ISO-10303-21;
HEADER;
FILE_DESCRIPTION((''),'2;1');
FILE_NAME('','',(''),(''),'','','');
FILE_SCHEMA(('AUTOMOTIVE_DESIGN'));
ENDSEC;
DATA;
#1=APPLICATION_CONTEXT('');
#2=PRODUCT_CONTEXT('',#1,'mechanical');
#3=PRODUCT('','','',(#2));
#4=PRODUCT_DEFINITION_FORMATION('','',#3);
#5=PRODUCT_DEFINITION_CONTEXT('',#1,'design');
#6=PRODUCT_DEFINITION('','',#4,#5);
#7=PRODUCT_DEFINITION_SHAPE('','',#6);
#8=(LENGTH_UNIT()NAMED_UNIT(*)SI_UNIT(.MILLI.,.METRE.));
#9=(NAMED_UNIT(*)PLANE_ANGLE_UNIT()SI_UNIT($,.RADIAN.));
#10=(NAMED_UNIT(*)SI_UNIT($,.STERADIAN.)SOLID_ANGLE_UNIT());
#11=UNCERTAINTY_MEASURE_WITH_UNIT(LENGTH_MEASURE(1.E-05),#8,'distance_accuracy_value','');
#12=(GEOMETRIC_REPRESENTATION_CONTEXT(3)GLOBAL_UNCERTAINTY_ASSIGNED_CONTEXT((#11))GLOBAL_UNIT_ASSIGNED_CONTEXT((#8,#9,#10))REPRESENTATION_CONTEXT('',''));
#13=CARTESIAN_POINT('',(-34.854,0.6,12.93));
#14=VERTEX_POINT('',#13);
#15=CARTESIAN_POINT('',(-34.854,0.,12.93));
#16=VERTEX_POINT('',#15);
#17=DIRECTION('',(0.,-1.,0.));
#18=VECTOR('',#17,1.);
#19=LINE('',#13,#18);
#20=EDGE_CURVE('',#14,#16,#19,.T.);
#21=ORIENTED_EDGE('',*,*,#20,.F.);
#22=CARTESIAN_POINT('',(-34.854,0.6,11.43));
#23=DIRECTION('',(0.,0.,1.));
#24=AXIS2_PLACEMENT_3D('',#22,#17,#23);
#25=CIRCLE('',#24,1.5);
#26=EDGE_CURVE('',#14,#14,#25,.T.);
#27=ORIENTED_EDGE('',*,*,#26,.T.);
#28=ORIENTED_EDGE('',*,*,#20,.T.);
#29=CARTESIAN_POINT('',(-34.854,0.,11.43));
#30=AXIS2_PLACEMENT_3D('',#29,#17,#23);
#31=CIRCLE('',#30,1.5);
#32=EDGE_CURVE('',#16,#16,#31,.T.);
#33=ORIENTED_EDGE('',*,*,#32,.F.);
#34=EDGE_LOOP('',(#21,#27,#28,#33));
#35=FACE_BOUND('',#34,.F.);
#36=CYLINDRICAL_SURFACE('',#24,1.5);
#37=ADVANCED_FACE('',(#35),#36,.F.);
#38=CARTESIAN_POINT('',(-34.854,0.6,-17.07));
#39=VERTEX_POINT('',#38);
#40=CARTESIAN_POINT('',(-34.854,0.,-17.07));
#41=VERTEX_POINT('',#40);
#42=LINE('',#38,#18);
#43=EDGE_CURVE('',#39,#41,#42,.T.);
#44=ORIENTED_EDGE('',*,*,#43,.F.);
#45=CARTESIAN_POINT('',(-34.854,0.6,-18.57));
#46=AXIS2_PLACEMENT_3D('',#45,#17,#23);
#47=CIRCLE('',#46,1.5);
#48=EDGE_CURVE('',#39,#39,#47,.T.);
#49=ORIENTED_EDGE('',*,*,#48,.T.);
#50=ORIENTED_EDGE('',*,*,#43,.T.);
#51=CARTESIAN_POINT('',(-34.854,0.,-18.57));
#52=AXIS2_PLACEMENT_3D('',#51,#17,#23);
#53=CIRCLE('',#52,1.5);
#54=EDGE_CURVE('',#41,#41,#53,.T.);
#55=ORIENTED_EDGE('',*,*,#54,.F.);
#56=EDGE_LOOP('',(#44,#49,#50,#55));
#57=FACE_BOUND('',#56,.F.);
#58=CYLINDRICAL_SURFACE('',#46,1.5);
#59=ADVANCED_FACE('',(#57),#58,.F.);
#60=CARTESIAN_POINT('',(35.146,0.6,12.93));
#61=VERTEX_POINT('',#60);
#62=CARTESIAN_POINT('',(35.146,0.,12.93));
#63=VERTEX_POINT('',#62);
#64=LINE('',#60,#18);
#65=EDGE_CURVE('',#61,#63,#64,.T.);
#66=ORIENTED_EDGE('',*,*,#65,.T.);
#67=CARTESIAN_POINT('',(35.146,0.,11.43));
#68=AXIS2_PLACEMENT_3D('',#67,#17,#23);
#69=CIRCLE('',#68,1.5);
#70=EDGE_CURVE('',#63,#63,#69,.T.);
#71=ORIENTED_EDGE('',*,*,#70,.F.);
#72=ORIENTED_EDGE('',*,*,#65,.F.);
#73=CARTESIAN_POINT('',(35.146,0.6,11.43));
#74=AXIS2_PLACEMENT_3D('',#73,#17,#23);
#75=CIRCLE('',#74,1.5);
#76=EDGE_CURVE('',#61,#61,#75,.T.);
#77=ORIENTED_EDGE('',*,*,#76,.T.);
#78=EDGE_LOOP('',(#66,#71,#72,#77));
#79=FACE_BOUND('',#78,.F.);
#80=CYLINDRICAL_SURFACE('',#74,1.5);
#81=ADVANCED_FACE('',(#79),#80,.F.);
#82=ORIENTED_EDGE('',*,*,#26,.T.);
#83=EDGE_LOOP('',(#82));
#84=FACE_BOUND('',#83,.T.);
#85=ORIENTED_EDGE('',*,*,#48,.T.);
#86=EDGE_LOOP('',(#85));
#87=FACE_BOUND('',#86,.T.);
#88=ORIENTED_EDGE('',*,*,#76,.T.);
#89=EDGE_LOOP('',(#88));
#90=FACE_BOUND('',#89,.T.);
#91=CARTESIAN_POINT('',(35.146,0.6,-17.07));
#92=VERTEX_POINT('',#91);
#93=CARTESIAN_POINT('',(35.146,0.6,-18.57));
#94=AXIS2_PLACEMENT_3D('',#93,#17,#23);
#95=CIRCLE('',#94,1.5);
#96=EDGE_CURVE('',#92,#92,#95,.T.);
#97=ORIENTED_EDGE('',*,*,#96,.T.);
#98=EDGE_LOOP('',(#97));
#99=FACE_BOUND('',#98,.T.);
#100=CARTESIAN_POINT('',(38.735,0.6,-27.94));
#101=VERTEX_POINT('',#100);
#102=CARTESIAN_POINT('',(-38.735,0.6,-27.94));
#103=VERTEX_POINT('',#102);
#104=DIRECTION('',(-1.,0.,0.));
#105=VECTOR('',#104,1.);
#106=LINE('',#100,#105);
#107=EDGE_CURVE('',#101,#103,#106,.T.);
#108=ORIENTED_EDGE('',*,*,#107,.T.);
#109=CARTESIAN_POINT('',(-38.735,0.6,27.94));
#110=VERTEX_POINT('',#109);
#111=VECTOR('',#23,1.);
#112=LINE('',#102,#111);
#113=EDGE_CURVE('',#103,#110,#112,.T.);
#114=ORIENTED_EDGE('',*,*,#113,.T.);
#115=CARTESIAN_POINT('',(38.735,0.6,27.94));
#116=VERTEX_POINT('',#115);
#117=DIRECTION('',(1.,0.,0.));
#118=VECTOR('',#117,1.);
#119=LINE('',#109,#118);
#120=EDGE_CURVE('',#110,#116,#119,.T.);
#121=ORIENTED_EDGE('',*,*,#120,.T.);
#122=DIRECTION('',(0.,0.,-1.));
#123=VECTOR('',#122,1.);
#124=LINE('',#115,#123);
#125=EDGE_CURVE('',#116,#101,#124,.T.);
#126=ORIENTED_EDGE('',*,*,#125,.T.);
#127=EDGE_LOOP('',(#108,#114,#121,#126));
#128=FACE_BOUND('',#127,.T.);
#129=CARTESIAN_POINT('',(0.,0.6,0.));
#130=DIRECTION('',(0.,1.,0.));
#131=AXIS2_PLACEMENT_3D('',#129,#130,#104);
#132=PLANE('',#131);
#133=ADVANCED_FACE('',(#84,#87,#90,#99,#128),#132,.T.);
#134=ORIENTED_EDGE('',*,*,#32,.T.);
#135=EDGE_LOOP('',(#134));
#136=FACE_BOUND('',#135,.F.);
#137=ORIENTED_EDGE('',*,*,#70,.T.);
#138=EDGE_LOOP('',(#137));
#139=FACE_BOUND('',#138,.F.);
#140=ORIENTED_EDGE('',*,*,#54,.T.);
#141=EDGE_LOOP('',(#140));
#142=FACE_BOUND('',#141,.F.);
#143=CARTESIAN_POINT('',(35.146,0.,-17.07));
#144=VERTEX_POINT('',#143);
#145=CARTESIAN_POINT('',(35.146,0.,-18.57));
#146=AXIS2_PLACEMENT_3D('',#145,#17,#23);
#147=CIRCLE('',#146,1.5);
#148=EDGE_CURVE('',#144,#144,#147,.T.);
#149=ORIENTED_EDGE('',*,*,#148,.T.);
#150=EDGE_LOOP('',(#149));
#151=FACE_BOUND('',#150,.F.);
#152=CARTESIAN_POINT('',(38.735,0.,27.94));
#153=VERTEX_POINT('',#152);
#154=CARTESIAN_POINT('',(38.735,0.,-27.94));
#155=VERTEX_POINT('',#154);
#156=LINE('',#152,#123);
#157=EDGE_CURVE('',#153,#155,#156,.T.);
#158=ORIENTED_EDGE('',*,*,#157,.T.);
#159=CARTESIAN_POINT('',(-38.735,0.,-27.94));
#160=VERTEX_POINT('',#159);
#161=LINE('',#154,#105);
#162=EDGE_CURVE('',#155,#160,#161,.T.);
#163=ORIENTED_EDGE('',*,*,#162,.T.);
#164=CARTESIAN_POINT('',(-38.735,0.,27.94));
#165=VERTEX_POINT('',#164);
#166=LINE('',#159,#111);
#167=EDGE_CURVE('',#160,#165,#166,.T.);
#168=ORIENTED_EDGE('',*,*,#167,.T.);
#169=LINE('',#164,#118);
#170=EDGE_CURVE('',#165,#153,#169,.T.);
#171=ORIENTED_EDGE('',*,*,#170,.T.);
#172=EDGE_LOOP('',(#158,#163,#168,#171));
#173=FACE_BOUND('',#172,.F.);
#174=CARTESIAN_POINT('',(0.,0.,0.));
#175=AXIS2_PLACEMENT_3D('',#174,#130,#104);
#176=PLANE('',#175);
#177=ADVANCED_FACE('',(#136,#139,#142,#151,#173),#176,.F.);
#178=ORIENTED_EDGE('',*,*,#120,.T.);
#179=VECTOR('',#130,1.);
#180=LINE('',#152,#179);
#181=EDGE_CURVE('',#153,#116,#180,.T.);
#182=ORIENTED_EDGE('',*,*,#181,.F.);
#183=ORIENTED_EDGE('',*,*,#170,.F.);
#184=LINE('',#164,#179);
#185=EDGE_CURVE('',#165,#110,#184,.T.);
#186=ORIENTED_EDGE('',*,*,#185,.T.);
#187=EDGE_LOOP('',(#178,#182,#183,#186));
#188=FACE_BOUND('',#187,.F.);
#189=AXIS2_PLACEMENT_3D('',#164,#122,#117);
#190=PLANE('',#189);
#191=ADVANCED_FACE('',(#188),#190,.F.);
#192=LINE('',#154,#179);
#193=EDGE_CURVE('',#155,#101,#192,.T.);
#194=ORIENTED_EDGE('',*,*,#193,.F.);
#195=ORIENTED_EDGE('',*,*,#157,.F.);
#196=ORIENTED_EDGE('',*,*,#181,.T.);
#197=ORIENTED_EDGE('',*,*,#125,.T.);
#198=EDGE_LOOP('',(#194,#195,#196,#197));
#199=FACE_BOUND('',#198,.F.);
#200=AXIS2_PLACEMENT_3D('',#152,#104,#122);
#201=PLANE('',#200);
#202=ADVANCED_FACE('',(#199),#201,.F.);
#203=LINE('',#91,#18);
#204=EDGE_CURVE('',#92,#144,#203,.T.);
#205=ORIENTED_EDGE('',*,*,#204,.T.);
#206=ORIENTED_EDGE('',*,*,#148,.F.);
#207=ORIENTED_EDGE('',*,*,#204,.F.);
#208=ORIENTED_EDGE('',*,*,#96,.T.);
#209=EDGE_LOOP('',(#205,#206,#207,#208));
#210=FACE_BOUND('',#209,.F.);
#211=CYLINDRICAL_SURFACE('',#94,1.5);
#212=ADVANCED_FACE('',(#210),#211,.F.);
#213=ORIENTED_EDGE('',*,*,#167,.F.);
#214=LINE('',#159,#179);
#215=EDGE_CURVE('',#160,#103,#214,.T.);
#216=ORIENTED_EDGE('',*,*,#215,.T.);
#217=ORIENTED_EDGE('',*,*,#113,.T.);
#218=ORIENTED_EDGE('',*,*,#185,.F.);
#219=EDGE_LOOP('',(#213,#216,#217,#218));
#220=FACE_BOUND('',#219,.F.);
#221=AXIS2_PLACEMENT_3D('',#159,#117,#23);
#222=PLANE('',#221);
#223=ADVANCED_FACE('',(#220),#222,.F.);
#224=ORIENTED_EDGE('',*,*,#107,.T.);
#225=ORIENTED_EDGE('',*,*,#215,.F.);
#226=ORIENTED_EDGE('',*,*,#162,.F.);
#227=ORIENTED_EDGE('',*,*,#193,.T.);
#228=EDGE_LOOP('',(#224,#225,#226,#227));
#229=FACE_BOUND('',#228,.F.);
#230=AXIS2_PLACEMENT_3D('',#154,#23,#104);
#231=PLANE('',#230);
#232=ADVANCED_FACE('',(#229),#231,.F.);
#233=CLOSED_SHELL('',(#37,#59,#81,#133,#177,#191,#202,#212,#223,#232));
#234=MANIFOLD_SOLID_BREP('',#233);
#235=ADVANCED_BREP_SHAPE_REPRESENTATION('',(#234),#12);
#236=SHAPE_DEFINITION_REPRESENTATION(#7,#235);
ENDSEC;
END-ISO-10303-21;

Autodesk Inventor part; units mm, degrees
ref_plane "YZ Plane" through (0, 0, 0) normal (1, 0, 0) x (0, 1, 0)
ref_plane "XZ Plane" through (0, 0, 0) normal (0, 1, 0) x (-1, 0, 0)
ref_plane "XY Plane" through (0, 0, 0) normal (0, 0, 1) x (1, 0, 0)
sketch "スケッチ1" plane through (0, 0, 0) normal (0, 1, 0) x (-1, 0, 0)
  line L0 (-38.735, -27.94) -> (38.735, -27.94)
  line L1 (38.735, -27.94) -> (38.735, 27.94)
  line L2 (38.735, 27.94) -> (-38.735, 27.94)
  line L3 (-38.735, 27.94) -> (-38.735, -27.94)
  line L4 (-38.735, -27.94) -> (38.735, 27.94) construction
  line L5 (38.735, -27.94) -> (-38.735, 27.94) construction
  point P0 (0, 0)
  dimension "d0" = 77.47
  dimension "d1" = 55.88
extrude "押し出し1" add sketch "スケッチ1" along normal blind 0.6
sketch "スケッチ2" plane through (0, 0.6, 0) normal (0, 1, 0) x (1, 0, 0)
  line L0 (-38.735, -27.94) -> (38.735, -27.94) projected
  line L1 (-38.735, 27.94) -> (-38.735, -27.94) projected
  point P0 (0, 0)
  point P1 (-34.854, -11.43)
  point P2 (-34.854, 18.57)
  point P3 (35.146, 18.57)
  point P4 (35.146, -11.43)
  dimension "d4" = 16.51
  dimension "d5" = 3.881
  dimension "d15" = 30
  dimension "d16" = 70
hole "穴1" at (-34.854, 0.6, 11.43) at (-34.854, 0.6, -18.57) at (35.146, 0.6, -18.57) at (35.146, 0.6, 11.43) direction (0, -1, 0) diameter 3 end through all
properties part number "main_pcb" material "ガラス"
